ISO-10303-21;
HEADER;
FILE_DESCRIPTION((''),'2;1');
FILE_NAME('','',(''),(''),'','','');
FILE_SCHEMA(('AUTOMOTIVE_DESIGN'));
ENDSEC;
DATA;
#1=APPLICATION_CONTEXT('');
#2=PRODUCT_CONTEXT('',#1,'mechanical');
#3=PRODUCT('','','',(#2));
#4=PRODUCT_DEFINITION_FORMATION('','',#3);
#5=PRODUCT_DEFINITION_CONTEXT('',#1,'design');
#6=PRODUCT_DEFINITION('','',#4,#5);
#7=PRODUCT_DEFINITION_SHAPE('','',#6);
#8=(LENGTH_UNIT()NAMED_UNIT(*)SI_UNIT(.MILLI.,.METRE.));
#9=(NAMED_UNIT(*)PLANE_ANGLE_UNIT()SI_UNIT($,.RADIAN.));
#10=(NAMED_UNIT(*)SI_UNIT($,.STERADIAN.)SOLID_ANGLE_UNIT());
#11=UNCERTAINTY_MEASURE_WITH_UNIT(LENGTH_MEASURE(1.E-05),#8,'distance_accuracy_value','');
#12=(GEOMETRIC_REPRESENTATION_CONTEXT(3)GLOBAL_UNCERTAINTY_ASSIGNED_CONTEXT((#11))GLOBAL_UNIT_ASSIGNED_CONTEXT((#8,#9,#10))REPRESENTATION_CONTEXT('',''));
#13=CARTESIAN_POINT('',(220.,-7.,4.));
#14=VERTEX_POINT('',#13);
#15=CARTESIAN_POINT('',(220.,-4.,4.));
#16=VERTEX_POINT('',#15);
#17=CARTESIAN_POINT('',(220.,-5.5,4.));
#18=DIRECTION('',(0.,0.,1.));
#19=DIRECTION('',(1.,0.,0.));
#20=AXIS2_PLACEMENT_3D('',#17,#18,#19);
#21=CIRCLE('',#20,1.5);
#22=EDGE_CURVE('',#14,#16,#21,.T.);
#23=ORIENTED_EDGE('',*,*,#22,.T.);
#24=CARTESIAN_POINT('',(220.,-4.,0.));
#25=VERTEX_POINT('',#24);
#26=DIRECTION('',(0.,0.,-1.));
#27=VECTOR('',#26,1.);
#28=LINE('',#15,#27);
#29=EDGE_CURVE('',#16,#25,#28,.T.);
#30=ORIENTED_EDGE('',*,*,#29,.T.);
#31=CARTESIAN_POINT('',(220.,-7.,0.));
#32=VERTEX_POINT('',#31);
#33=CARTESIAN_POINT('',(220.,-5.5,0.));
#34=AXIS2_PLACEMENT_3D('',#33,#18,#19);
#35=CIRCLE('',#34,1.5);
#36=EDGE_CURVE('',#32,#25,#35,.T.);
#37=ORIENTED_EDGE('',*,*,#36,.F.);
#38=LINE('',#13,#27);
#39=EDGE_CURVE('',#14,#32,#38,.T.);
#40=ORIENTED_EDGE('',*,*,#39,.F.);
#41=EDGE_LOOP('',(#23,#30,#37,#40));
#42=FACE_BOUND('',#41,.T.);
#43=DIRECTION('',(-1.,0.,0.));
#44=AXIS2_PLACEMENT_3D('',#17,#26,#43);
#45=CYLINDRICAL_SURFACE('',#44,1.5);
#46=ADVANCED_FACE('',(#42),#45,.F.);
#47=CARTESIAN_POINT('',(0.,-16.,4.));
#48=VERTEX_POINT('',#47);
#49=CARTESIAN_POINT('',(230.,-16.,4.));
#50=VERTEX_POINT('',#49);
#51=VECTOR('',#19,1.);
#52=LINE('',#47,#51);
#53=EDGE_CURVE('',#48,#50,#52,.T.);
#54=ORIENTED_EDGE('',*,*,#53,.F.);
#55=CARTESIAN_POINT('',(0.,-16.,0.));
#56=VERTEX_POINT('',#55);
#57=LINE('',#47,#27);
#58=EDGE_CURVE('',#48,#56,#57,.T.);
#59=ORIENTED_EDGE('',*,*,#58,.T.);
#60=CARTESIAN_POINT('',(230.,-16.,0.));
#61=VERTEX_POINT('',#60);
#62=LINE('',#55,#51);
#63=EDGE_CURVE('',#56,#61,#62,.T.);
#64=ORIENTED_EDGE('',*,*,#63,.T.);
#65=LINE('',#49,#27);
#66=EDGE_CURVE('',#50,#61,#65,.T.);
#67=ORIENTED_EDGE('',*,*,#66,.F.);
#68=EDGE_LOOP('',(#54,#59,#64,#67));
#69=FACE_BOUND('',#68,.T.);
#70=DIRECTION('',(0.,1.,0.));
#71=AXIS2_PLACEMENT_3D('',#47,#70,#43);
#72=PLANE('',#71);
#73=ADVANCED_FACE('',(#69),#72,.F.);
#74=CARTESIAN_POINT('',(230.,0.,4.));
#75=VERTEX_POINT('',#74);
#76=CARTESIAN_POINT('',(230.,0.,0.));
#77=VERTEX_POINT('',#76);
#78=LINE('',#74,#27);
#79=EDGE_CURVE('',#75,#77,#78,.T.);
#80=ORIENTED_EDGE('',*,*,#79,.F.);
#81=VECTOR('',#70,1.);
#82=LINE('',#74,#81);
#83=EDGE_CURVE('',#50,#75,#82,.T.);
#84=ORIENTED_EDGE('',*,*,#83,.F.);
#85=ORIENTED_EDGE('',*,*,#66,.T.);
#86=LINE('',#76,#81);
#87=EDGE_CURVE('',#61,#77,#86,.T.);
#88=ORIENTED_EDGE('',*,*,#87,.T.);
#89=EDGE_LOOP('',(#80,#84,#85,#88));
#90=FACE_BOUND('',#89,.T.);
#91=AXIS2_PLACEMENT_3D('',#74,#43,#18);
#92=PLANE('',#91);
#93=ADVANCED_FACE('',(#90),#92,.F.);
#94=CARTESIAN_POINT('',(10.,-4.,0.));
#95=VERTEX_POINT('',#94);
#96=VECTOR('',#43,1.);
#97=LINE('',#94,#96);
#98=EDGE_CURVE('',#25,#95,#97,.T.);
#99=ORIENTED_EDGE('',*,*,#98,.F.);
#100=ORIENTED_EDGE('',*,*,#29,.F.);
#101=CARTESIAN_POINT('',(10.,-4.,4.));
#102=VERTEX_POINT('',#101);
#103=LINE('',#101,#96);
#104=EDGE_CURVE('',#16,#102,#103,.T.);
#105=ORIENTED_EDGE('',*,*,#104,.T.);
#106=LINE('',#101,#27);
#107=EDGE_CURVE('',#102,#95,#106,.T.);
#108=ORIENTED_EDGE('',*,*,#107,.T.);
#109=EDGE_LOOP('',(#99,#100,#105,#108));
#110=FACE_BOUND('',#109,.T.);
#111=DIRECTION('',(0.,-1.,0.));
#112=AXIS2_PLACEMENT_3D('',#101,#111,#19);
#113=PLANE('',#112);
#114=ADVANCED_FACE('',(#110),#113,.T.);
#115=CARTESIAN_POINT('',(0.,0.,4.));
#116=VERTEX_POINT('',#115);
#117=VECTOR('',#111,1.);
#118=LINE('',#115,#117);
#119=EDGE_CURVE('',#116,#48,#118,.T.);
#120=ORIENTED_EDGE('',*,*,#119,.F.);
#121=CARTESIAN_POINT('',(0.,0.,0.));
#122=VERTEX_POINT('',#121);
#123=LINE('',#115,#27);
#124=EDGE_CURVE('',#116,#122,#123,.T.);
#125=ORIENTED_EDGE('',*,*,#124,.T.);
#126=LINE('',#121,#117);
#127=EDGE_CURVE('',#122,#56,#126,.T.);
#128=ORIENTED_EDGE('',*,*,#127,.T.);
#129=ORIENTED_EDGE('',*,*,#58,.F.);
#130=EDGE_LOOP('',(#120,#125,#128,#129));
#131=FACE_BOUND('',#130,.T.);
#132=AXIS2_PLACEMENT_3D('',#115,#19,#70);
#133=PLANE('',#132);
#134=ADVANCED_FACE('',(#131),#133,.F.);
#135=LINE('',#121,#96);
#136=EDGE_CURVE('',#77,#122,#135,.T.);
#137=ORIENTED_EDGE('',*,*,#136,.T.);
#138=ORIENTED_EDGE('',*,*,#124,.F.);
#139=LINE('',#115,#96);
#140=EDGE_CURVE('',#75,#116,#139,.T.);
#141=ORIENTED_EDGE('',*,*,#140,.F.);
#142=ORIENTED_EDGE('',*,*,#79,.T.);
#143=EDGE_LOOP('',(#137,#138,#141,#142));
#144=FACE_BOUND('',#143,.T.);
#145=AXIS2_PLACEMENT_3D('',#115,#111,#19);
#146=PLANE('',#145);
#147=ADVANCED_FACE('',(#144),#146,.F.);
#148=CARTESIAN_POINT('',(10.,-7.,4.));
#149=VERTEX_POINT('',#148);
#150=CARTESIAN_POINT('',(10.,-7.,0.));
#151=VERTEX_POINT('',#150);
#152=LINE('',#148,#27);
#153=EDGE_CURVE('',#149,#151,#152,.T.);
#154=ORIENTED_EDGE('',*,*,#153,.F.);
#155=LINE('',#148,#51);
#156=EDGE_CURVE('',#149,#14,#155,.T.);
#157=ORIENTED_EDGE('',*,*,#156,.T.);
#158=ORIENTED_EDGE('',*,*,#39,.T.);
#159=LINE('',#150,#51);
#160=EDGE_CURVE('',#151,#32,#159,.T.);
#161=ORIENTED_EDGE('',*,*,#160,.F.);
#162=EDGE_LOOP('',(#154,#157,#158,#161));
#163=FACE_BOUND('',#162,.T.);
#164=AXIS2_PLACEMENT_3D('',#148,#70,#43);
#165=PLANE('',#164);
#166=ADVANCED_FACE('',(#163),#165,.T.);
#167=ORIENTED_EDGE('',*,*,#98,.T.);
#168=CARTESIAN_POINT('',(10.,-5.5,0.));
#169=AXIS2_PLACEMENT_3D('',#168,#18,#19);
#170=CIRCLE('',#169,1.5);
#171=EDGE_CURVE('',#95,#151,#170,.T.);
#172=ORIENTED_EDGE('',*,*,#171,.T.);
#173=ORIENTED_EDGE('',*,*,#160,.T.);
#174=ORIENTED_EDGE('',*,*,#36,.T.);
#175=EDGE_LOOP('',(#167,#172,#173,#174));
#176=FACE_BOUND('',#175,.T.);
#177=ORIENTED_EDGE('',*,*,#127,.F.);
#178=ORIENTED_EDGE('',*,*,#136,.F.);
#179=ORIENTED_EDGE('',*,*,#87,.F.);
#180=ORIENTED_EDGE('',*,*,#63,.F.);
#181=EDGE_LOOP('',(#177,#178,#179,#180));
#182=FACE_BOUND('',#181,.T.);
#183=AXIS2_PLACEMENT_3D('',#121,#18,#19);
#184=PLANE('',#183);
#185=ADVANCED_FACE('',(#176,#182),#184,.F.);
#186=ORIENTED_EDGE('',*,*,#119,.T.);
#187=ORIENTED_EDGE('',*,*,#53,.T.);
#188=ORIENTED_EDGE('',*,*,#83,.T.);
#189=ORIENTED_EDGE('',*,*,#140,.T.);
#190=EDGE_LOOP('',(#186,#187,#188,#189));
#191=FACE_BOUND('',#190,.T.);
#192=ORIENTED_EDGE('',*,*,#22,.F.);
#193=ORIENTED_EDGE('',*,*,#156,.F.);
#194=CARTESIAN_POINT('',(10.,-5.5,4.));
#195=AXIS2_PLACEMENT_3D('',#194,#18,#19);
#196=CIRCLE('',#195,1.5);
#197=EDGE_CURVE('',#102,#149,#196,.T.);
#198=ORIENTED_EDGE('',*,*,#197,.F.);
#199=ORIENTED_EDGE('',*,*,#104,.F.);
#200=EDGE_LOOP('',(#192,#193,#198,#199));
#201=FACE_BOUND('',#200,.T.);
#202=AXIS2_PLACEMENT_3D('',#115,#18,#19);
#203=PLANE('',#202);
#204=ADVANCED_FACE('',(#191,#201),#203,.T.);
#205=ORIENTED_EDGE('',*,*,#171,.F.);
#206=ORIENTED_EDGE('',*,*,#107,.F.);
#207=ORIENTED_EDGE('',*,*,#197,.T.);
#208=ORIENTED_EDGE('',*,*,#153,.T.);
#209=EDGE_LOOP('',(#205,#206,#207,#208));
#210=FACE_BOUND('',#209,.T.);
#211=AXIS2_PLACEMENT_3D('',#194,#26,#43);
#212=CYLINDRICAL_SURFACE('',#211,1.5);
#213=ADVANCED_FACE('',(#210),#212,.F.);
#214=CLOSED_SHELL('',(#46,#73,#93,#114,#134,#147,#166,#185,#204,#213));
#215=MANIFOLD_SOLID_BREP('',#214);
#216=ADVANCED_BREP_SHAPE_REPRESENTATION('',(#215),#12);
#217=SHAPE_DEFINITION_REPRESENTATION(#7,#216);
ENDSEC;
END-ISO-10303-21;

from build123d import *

# Parameters (mm, degrees)
SKETCH_1_W      = 230
SKETCH_1_H      = 16
EXTRUDE_1_DEPTH = 4


with BuildPart() as part:
    # 草图1 → 凸台-拉伸1 (new body)
    with BuildSketch(Plane.XY):
        with Locations((115, -8)):
            Rectangle(SKETCH_1_W, SKETCH_1_H)
        with BuildLine():
            Line((10, -4), (220, -4))
            ThreePointArc((220, -4), (221.5, -5.5), (220, -7))
            Line((220, -7), (10, -7))
            ThreePointArc((10, -7), (8.5, -5.5), (10, -4))
        make_face(mode=Mode.SUBTRACT)
    extrude(amount=EXTRUDE_1_DEPTH)


solid = part.part
